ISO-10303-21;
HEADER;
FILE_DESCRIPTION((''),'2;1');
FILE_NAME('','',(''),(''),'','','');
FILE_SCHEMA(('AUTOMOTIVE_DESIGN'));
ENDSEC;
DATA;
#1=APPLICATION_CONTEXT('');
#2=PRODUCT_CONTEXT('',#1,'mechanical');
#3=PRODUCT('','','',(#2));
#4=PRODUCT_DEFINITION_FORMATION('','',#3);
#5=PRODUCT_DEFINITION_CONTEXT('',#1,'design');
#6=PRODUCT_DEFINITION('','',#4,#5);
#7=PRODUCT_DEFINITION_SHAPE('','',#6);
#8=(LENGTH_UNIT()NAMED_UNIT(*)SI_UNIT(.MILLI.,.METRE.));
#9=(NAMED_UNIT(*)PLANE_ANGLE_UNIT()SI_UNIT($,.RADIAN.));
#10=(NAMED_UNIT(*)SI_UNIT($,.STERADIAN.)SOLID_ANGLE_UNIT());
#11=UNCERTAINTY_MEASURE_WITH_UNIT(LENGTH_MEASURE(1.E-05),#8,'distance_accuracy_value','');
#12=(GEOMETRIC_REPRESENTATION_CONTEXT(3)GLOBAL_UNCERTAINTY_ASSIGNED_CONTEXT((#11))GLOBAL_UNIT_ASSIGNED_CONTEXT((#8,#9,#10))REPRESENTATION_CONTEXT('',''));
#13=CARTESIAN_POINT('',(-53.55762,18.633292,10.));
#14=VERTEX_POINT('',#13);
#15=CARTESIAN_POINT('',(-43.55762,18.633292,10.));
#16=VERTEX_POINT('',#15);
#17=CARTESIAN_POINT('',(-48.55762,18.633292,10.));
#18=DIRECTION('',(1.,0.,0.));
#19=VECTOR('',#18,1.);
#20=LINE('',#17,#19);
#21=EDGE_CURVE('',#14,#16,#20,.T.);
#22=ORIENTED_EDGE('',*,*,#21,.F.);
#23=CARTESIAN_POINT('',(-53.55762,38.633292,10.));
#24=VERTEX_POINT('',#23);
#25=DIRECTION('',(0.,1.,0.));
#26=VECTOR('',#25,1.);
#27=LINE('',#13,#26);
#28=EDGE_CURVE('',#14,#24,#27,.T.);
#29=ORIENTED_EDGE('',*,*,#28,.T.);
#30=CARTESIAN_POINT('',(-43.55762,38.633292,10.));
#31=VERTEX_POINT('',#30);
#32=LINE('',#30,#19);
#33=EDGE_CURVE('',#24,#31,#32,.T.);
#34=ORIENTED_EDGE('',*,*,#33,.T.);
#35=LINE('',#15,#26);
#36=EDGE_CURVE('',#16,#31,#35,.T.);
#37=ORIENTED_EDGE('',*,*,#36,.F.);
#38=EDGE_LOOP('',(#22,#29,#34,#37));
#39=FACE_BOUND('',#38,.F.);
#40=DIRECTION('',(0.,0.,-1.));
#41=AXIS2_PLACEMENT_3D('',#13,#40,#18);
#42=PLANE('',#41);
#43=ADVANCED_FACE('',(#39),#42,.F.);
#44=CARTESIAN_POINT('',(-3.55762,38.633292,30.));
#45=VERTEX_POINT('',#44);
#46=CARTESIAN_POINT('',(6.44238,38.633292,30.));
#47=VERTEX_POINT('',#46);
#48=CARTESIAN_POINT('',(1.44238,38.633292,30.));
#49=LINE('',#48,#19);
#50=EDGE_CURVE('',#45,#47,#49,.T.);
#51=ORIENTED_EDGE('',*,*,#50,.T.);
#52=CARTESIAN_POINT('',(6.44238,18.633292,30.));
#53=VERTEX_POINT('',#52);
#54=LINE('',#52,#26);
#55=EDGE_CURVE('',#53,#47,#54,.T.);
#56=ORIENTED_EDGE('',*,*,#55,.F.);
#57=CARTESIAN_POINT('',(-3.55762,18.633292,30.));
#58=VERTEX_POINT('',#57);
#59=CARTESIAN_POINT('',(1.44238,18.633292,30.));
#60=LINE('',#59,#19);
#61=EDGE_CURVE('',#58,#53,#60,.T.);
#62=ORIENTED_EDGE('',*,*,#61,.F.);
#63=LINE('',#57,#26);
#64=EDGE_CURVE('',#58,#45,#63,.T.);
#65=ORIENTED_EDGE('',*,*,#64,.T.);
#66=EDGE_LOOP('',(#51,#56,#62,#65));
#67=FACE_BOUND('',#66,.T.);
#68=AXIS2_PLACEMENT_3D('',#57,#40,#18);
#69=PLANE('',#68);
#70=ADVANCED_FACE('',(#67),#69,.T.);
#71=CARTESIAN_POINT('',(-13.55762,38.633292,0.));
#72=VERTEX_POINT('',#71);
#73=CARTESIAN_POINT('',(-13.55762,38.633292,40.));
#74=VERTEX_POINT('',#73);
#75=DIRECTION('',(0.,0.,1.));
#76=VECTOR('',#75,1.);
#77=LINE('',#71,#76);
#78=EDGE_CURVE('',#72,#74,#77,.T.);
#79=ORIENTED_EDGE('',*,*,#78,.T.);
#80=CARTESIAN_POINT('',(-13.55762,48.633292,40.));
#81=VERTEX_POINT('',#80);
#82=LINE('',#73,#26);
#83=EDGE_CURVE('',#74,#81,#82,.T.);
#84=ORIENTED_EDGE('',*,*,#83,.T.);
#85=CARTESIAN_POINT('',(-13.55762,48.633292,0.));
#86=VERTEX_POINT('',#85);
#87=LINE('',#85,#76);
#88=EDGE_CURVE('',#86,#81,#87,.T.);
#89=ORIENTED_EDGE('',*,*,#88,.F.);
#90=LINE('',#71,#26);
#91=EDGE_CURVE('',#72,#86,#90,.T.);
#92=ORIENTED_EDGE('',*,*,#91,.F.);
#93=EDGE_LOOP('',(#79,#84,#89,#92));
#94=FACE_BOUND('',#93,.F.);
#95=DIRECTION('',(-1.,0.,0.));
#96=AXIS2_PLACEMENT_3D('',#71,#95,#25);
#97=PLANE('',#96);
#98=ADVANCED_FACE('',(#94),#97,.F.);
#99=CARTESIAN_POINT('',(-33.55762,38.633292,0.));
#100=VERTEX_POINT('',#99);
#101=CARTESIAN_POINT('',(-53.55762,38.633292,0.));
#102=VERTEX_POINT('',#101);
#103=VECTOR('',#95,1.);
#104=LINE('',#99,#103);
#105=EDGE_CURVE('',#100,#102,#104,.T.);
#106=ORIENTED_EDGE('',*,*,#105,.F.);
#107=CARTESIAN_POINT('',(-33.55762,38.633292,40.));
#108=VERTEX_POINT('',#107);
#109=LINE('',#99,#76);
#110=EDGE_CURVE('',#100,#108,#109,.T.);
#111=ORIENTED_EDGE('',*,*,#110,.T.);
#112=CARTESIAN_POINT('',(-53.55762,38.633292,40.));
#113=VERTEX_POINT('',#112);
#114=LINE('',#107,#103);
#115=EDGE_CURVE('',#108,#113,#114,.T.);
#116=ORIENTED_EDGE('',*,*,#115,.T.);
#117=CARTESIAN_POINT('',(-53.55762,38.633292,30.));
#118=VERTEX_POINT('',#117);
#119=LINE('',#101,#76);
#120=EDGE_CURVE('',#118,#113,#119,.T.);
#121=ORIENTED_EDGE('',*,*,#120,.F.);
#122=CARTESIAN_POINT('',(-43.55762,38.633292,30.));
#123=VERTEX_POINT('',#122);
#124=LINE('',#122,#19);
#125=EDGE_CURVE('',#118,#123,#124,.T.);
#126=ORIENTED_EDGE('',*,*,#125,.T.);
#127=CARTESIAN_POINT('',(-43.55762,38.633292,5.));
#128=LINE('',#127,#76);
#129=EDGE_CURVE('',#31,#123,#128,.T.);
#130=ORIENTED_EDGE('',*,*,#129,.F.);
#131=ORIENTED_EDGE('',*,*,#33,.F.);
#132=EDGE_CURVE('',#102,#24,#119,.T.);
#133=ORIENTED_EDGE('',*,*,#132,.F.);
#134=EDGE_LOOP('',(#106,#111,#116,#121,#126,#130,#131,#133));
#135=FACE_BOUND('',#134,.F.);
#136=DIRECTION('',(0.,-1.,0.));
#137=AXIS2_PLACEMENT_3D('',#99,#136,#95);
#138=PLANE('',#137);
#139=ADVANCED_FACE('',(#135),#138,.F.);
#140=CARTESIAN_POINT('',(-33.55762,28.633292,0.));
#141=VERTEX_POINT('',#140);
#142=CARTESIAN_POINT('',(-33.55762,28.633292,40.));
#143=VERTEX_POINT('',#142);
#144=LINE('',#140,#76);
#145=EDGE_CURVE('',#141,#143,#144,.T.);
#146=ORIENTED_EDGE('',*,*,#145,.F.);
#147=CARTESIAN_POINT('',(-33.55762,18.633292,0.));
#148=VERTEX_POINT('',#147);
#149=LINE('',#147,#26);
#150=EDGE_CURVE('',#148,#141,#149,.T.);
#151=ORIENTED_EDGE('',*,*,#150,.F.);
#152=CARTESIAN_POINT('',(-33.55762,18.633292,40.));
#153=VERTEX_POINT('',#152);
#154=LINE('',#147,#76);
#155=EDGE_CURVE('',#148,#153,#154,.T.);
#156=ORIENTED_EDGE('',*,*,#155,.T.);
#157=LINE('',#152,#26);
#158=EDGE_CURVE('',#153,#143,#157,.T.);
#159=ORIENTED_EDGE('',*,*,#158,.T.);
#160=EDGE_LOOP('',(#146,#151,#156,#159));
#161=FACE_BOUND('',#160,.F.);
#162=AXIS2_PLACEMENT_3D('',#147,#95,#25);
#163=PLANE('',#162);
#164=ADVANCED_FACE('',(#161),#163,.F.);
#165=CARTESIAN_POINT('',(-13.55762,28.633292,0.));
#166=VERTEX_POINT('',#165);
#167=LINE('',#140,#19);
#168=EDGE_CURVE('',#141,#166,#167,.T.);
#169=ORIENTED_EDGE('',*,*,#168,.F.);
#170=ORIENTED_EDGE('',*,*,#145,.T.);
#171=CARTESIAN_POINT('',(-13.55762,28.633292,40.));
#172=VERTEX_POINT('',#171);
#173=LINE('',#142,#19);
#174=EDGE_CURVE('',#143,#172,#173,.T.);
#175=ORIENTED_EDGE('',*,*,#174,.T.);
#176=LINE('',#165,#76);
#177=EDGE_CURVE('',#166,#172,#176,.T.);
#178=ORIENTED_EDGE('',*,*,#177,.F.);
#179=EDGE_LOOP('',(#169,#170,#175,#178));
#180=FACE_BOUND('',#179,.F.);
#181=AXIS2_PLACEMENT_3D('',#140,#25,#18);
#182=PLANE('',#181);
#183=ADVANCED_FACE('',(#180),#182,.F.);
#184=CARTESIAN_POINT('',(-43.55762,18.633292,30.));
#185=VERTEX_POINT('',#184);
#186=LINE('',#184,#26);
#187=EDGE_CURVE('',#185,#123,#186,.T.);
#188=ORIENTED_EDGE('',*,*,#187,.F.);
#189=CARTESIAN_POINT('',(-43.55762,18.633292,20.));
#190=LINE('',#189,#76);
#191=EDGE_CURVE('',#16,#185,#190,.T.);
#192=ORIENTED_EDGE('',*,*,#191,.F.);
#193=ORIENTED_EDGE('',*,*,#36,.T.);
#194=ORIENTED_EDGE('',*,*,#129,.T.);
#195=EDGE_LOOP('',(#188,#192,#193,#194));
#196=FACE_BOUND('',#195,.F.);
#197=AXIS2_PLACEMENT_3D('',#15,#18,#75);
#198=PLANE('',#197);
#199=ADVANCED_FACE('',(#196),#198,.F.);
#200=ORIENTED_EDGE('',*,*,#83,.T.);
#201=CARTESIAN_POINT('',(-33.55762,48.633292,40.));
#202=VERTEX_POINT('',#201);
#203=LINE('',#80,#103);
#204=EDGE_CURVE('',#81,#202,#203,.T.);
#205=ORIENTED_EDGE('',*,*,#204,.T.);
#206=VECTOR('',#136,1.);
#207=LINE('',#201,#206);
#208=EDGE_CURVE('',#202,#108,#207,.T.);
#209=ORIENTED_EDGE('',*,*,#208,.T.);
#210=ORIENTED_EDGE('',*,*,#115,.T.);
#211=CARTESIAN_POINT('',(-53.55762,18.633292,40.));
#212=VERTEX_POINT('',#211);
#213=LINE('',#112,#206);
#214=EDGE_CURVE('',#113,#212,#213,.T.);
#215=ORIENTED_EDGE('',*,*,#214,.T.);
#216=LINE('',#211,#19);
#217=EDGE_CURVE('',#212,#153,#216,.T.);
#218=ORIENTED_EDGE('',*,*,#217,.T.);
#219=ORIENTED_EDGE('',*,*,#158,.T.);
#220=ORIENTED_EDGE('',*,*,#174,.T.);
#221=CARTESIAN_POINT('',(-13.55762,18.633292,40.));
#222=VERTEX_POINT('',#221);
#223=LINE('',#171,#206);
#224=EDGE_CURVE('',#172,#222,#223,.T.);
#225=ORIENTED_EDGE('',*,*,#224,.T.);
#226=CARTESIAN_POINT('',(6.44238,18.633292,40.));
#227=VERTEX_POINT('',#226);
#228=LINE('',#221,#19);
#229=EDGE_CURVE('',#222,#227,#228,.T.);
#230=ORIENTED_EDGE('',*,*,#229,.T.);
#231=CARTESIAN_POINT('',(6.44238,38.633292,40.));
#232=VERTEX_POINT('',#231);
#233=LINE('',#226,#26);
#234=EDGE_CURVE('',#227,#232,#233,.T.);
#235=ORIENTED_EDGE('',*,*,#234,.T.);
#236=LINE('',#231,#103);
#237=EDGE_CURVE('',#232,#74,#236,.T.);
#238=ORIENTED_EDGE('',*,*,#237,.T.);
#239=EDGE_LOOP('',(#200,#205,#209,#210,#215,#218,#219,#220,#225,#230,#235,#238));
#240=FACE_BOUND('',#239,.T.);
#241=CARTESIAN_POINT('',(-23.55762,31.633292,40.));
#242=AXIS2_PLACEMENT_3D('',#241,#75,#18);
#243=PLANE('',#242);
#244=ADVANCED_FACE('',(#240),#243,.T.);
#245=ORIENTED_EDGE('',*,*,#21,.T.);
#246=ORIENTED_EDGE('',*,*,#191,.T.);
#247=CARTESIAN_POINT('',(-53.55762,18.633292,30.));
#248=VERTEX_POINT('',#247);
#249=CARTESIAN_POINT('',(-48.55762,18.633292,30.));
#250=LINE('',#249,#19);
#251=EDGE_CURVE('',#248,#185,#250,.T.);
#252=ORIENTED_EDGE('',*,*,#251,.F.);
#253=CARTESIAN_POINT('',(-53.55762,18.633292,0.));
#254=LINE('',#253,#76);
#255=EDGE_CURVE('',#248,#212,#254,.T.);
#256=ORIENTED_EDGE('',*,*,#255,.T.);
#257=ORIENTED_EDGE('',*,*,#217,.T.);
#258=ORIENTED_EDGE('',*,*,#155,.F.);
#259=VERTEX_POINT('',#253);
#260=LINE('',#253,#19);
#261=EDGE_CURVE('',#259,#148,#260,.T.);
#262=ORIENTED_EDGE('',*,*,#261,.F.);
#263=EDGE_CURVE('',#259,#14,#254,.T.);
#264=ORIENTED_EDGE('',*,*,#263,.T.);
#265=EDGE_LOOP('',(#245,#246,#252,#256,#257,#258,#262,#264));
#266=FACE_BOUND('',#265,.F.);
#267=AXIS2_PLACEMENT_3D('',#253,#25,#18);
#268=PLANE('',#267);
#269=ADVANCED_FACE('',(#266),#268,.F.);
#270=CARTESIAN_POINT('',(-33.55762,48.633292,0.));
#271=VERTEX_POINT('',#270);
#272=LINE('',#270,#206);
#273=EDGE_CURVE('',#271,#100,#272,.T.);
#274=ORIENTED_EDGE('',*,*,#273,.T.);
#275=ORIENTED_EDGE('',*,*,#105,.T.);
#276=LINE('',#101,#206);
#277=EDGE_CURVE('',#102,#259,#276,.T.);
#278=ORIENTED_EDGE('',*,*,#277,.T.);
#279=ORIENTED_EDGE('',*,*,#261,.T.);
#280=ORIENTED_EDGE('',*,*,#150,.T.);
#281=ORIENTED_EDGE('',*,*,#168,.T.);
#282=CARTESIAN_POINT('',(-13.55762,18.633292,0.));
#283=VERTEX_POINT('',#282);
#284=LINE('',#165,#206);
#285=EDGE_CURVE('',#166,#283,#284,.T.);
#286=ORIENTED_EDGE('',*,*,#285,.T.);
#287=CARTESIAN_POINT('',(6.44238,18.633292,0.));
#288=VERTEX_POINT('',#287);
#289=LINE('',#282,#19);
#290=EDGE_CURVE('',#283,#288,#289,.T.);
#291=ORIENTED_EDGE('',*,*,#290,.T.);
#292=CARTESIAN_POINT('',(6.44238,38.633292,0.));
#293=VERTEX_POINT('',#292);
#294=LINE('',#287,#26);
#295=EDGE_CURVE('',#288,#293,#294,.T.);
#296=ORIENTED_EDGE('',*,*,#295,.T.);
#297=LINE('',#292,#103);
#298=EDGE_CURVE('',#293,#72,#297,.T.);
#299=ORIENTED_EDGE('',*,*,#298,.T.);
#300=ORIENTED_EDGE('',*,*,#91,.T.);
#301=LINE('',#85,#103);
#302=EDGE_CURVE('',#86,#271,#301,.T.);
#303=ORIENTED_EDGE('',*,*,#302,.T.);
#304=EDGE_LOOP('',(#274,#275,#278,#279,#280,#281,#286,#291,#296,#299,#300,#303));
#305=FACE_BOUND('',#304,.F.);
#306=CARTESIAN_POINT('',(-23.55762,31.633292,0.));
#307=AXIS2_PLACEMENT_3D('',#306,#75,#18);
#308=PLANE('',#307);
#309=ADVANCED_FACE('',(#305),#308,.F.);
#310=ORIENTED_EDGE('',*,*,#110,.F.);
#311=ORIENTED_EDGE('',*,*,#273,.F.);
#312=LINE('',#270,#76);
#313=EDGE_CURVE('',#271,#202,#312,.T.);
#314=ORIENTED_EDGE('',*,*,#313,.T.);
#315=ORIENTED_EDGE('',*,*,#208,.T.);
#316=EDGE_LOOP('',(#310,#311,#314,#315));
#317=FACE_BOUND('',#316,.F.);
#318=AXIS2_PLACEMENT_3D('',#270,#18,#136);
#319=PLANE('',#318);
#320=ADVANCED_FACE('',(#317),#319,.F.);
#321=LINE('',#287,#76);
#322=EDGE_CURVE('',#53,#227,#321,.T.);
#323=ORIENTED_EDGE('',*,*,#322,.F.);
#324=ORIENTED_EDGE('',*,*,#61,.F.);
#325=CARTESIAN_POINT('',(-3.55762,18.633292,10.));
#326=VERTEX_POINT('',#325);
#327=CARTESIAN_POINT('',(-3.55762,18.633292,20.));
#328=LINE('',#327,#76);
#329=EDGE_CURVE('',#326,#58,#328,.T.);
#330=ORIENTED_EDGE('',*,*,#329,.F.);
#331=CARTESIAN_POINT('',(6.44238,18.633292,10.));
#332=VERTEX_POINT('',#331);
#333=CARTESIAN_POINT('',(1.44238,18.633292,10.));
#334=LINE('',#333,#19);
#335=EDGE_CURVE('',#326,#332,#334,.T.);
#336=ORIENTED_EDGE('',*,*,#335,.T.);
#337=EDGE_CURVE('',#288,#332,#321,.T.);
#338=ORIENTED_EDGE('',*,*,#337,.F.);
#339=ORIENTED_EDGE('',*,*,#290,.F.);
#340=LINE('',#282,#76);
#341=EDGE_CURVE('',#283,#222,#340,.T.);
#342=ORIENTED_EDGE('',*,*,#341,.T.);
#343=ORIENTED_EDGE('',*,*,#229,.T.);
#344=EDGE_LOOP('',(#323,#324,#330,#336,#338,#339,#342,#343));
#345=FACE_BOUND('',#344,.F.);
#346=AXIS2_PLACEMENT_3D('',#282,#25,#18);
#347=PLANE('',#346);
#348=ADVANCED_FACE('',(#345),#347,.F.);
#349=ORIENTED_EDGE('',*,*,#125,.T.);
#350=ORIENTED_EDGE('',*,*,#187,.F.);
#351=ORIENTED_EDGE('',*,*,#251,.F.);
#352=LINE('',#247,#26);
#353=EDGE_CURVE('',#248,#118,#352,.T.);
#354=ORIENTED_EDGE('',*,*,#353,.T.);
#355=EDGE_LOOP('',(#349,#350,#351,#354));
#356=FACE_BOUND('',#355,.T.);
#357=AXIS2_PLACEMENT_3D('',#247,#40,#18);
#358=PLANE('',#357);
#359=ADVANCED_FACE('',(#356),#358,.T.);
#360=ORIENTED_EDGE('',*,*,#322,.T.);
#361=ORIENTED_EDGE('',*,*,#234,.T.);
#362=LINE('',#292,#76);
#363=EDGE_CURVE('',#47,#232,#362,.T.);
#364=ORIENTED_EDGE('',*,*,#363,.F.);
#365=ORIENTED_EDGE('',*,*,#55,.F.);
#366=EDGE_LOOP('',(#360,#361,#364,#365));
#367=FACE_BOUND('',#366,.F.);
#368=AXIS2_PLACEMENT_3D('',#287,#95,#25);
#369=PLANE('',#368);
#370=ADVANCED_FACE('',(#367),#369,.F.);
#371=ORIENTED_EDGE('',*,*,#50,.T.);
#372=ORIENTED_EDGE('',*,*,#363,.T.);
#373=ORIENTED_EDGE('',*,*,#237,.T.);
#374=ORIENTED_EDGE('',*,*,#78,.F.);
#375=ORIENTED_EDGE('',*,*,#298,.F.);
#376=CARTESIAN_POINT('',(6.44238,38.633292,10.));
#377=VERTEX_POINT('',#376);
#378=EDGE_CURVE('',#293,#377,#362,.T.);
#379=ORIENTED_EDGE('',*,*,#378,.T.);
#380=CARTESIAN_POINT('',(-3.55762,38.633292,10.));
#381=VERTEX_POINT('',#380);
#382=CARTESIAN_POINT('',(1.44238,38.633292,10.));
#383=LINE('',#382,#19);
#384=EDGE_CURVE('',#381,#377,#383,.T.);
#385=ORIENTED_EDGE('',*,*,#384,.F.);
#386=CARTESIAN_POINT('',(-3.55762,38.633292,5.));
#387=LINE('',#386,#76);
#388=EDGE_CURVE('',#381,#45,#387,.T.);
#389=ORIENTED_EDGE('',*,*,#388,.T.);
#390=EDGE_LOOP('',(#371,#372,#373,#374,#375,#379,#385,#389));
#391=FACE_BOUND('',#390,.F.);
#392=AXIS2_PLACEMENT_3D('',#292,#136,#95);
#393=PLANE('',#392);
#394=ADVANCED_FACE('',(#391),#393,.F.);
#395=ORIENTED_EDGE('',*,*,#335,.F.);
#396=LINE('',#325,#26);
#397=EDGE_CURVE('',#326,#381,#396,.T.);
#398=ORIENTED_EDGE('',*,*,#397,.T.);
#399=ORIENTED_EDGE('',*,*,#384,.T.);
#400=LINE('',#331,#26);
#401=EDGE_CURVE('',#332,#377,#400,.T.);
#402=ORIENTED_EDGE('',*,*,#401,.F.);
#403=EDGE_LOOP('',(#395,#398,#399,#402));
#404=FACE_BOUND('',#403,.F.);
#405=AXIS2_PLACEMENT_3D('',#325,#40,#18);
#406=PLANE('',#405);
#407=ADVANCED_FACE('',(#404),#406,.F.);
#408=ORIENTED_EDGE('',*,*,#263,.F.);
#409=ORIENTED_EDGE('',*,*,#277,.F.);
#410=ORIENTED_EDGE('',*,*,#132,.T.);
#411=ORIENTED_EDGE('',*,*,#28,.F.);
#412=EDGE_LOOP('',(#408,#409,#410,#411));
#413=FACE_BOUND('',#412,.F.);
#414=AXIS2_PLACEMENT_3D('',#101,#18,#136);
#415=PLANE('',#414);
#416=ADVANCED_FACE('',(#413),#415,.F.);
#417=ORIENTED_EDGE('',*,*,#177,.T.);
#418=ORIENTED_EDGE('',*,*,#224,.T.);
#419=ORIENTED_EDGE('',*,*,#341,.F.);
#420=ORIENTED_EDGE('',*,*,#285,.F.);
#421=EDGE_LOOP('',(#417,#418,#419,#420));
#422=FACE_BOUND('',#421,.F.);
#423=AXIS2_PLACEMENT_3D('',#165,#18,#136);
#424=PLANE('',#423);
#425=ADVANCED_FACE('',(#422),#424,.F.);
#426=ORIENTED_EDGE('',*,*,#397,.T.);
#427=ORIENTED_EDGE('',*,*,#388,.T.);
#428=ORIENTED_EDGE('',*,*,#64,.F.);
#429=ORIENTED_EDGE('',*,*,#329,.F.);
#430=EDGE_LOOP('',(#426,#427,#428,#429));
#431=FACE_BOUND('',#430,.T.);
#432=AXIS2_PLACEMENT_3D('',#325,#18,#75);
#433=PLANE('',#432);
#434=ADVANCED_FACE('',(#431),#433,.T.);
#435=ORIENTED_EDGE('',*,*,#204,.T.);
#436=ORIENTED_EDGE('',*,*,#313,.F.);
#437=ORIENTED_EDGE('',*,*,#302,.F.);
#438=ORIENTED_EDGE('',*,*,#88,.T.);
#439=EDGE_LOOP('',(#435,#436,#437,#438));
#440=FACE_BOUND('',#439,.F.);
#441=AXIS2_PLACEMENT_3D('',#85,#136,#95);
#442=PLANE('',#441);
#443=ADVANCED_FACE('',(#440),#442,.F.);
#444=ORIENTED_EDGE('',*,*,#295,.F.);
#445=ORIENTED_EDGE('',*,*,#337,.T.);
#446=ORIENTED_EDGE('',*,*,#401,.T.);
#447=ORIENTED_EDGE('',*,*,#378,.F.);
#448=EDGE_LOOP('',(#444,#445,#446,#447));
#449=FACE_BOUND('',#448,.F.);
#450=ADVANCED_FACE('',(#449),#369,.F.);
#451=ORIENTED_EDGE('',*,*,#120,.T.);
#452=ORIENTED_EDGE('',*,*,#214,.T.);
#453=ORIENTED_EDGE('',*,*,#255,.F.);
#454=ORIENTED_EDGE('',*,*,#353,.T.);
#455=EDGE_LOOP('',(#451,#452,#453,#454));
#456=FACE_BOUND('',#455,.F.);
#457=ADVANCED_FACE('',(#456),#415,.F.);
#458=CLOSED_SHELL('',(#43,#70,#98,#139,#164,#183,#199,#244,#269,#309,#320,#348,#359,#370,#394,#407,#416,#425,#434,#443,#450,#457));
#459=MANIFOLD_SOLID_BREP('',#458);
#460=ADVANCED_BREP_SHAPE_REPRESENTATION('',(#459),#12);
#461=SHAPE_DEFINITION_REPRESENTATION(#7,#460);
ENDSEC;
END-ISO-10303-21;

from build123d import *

# Parameters (mm, degrees)
F1_DEPTH = 40
F2_W     = 10
F2_H     = 20
F3_DEPTH = 30.001
F4_W     = 10
F4_H     = 20
F5_DEPTH = 30.001


with BuildPart() as f1:
    # F0 (on Top) → F1 (new body)
    with BuildSketch(Plane.XY):
        Polygon((-33.55762, 38.633292), (-53.55762, 38.633292), (-53.55762, 18.633292), (-33.55762, 18.633292), (-33.55762, 28.633292), (-13.55762, 28.633292), (-13.55762, 18.633292), (6.44238, 18.633292), (6.44238, 38.633292), (-13.55762, 38.633292), (-13.55762, 48.633292), (-33.55762, 48.633292), align=None)
    extrude(amount=F1_DEPTH)

    # F2 (on face) → F3 (cut, through all)
    with BuildSketch(Plane.XZ.offset(-18.633292)):
        with Locations((-48.55762, 20)):
            Rectangle(F2_W, F2_H)
    extrude(amount=-F3_DEPTH, mode=Mode.SUBTRACT)

    # F4 (on face) → F5 (cut, through all)
    with BuildSketch(Plane.XZ.offset(-18.633292)):
        with Locations((1.44238, 20)):
            Rectangle(F4_W, F4_H)
    extrude(amount=-F5_DEPTH, mode=Mode.SUBTRACT)


solid = f1.part
